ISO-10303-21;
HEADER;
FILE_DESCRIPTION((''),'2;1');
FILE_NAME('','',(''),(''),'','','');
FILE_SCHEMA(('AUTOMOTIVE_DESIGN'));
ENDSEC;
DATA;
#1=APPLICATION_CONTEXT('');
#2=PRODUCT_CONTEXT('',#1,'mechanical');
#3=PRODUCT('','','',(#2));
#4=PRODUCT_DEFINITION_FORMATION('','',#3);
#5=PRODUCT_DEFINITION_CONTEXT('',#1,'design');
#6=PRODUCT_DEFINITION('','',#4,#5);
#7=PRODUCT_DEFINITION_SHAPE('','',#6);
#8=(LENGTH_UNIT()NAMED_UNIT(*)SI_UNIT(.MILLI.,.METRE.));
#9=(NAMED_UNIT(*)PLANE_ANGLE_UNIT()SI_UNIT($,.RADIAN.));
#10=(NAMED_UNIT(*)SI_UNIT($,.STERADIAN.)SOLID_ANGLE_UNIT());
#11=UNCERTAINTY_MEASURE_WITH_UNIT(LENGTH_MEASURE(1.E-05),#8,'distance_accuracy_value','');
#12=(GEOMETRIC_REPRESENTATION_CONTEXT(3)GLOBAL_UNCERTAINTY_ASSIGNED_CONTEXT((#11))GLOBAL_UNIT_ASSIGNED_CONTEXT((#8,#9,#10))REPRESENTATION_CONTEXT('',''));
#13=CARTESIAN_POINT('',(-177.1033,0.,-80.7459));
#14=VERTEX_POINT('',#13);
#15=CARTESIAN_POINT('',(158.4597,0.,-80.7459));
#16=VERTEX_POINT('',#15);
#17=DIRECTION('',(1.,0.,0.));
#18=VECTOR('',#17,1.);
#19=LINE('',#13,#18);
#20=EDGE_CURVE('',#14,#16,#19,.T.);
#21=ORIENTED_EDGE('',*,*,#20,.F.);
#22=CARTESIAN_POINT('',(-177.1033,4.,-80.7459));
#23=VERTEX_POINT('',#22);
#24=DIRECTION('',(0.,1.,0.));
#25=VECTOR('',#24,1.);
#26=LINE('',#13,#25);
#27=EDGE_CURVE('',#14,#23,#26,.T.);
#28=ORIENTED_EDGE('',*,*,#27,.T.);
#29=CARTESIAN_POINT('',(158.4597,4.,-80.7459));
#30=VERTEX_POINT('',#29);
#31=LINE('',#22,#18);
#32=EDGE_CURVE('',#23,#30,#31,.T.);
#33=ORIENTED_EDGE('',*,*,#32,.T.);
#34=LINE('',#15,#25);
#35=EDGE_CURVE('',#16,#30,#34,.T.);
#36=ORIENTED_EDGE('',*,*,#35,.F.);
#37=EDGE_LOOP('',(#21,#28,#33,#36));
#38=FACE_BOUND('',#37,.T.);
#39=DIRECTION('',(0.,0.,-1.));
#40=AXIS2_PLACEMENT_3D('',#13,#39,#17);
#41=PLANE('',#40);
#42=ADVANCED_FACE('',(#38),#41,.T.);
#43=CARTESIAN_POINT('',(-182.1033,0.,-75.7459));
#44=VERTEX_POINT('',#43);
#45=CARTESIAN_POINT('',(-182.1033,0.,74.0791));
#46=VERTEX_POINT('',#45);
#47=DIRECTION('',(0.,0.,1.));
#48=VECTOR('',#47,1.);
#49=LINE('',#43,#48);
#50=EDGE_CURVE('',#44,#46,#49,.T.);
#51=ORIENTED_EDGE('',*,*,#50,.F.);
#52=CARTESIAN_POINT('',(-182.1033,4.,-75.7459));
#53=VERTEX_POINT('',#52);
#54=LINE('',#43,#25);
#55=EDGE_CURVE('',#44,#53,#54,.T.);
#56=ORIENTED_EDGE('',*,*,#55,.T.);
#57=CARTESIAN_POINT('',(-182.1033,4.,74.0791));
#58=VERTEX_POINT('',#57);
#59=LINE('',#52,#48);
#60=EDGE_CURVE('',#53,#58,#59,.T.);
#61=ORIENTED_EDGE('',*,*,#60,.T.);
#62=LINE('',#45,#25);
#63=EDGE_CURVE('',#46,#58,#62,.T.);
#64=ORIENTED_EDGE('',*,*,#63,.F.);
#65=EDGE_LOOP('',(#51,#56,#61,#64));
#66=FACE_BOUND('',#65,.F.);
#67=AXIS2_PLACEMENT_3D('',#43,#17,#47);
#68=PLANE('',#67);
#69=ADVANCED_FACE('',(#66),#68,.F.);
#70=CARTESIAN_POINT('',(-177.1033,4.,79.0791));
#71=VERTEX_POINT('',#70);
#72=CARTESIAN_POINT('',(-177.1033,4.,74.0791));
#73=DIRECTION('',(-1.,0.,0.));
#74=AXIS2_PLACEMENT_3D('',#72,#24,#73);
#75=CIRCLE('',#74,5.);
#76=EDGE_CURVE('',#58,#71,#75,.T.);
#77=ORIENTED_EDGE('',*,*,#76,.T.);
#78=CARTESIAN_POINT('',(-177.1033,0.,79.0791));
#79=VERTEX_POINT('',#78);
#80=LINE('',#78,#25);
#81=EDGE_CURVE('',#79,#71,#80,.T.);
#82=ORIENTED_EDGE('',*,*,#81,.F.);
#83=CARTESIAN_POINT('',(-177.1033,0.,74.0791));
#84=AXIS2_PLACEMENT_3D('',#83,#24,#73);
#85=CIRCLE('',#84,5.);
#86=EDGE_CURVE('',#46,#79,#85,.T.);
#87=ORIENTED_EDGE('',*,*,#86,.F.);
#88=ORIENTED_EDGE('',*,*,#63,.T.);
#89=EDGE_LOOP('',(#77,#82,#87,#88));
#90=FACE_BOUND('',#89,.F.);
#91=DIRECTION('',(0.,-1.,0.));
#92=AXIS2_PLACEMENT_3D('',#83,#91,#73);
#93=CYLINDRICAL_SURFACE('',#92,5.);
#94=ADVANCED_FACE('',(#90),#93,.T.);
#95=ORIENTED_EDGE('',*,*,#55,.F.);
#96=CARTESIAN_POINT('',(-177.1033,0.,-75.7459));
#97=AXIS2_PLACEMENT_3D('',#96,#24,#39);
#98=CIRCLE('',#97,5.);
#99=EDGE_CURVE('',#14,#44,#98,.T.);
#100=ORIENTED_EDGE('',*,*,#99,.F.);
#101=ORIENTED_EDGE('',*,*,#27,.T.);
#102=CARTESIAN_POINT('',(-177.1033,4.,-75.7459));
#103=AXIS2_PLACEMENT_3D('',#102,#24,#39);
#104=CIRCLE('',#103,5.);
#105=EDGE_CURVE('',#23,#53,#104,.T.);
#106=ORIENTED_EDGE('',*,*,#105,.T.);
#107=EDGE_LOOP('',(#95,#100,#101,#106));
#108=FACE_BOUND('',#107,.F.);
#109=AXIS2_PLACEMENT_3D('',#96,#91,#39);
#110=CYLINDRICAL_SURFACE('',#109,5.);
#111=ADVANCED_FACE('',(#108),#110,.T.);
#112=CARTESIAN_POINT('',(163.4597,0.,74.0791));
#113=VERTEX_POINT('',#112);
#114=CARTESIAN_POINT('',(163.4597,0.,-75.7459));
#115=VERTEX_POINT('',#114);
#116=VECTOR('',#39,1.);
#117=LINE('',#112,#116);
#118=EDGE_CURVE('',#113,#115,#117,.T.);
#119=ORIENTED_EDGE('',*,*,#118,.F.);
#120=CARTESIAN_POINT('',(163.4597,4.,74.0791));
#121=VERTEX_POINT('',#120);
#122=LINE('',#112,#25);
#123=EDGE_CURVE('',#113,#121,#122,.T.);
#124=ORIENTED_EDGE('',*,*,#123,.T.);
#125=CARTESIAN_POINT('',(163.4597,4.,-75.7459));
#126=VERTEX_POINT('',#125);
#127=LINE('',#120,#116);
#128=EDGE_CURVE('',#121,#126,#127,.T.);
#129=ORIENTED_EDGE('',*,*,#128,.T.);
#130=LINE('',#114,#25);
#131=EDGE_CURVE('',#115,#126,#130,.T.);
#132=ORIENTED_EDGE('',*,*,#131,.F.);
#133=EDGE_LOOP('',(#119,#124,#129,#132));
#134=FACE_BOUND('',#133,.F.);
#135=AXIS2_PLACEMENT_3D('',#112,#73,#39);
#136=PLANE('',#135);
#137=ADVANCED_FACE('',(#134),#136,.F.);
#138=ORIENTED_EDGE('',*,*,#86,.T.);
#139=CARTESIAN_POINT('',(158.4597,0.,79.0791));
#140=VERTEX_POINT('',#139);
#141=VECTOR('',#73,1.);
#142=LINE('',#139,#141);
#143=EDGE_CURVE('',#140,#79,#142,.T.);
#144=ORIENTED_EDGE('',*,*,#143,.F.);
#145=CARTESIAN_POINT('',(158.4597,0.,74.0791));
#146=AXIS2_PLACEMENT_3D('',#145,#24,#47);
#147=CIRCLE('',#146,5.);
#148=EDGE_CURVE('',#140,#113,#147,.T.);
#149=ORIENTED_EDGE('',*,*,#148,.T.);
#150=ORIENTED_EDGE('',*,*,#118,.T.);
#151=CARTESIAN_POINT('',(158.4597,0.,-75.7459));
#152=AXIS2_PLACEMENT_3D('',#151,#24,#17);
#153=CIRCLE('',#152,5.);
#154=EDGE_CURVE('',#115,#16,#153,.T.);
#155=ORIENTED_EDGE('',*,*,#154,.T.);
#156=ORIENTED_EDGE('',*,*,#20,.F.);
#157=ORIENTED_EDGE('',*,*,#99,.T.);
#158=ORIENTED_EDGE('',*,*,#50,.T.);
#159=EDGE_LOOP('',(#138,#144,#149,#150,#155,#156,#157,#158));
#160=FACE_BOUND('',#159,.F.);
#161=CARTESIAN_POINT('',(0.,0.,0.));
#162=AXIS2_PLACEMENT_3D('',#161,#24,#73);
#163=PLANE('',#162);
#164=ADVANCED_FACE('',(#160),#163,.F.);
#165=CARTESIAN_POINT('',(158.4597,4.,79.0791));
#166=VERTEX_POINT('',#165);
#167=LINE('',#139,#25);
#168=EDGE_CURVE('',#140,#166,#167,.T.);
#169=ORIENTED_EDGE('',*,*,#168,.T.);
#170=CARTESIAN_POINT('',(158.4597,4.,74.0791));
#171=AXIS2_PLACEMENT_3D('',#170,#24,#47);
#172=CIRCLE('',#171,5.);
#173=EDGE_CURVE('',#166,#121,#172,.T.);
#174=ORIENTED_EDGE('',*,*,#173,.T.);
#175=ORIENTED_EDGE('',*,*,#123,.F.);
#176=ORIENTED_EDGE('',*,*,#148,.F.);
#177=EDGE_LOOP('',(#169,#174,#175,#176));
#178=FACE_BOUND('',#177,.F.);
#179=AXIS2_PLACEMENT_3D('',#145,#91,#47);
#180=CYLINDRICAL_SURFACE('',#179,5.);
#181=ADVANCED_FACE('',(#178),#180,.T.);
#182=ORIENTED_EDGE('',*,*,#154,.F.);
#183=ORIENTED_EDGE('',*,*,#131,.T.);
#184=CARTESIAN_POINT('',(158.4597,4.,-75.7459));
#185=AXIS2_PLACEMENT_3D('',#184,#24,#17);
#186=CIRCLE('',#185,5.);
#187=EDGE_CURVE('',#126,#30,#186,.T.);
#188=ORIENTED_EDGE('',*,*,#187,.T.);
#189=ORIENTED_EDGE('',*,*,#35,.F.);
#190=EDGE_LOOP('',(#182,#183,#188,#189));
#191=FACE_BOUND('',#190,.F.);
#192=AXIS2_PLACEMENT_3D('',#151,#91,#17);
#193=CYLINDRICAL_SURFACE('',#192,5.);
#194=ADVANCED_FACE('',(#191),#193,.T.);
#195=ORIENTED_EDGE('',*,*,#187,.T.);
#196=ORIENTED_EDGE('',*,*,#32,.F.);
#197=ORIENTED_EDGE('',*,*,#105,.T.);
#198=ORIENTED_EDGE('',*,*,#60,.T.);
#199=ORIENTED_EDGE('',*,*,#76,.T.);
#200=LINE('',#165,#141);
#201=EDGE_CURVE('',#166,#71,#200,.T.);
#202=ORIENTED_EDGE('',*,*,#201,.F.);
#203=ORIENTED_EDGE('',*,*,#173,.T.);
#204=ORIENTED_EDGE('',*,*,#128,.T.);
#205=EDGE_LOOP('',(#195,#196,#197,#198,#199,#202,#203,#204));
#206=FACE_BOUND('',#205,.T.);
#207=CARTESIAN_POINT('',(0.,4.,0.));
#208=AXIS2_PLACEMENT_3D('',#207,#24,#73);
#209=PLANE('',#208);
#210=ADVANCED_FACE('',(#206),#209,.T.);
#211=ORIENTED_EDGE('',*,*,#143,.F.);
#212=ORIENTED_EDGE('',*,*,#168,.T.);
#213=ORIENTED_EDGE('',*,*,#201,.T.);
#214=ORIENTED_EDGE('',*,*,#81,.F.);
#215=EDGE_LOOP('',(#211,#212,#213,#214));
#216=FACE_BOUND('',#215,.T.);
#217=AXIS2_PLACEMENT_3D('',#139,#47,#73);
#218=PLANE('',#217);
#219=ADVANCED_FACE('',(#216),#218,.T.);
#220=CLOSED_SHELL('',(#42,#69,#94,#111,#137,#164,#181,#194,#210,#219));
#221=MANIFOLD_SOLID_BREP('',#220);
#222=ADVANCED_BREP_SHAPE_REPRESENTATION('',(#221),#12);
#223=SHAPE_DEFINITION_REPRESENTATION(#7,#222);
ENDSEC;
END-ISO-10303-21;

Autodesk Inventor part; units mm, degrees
ref_plane "YZ Plane" through (0, 0, 0) normal (1, 0, 0) x (0, 1, 0)
ref_plane "XZ Plane" through (0, 0, 0) normal (0, 1, 0) x (-1, 0, 0)
ref_plane "XY Plane" through (0, 0, 0) normal (0, 0, 1) x (1, 0, 0)
sketch "Sketch1" plane through (0, 0, 0) normal (0, 1, 0) x (-1, 0, 0)
  line L0 (-163.4597, 74.0791) -> (-163.4597, -75.7459)
  line L1 (-158.4597, 79.0791) -> (177.1033, 79.0791)
  arc A0 (-158.4597, 79.0791) -> (-163.4597, 74.0791) centre (-158.4597, 74.0791) ccw
  arc A1 (-163.4597, -75.7459) -> (-158.4597, -80.7459) centre (-158.4597, -75.7459) ccw
  line L2 (182.1033, -75.7459) -> (182.1033, 74.0791)
  line L3 (177.1033, -80.7459) -> (-158.4597, -80.7459)
  arc A2 (177.1033, -80.7459) -> (182.1033, -75.7459) centre (177.1033, -75.7459) ccw
  arc A3 (182.1033, 74.0791) -> (177.1033, 79.0791) centre (177.1033, 74.0791) ccw
  point P0 (0, 0)
extrude "Extrusion1" add sketch "Sketch1" along normal blind 4
properties part number "layer1"
